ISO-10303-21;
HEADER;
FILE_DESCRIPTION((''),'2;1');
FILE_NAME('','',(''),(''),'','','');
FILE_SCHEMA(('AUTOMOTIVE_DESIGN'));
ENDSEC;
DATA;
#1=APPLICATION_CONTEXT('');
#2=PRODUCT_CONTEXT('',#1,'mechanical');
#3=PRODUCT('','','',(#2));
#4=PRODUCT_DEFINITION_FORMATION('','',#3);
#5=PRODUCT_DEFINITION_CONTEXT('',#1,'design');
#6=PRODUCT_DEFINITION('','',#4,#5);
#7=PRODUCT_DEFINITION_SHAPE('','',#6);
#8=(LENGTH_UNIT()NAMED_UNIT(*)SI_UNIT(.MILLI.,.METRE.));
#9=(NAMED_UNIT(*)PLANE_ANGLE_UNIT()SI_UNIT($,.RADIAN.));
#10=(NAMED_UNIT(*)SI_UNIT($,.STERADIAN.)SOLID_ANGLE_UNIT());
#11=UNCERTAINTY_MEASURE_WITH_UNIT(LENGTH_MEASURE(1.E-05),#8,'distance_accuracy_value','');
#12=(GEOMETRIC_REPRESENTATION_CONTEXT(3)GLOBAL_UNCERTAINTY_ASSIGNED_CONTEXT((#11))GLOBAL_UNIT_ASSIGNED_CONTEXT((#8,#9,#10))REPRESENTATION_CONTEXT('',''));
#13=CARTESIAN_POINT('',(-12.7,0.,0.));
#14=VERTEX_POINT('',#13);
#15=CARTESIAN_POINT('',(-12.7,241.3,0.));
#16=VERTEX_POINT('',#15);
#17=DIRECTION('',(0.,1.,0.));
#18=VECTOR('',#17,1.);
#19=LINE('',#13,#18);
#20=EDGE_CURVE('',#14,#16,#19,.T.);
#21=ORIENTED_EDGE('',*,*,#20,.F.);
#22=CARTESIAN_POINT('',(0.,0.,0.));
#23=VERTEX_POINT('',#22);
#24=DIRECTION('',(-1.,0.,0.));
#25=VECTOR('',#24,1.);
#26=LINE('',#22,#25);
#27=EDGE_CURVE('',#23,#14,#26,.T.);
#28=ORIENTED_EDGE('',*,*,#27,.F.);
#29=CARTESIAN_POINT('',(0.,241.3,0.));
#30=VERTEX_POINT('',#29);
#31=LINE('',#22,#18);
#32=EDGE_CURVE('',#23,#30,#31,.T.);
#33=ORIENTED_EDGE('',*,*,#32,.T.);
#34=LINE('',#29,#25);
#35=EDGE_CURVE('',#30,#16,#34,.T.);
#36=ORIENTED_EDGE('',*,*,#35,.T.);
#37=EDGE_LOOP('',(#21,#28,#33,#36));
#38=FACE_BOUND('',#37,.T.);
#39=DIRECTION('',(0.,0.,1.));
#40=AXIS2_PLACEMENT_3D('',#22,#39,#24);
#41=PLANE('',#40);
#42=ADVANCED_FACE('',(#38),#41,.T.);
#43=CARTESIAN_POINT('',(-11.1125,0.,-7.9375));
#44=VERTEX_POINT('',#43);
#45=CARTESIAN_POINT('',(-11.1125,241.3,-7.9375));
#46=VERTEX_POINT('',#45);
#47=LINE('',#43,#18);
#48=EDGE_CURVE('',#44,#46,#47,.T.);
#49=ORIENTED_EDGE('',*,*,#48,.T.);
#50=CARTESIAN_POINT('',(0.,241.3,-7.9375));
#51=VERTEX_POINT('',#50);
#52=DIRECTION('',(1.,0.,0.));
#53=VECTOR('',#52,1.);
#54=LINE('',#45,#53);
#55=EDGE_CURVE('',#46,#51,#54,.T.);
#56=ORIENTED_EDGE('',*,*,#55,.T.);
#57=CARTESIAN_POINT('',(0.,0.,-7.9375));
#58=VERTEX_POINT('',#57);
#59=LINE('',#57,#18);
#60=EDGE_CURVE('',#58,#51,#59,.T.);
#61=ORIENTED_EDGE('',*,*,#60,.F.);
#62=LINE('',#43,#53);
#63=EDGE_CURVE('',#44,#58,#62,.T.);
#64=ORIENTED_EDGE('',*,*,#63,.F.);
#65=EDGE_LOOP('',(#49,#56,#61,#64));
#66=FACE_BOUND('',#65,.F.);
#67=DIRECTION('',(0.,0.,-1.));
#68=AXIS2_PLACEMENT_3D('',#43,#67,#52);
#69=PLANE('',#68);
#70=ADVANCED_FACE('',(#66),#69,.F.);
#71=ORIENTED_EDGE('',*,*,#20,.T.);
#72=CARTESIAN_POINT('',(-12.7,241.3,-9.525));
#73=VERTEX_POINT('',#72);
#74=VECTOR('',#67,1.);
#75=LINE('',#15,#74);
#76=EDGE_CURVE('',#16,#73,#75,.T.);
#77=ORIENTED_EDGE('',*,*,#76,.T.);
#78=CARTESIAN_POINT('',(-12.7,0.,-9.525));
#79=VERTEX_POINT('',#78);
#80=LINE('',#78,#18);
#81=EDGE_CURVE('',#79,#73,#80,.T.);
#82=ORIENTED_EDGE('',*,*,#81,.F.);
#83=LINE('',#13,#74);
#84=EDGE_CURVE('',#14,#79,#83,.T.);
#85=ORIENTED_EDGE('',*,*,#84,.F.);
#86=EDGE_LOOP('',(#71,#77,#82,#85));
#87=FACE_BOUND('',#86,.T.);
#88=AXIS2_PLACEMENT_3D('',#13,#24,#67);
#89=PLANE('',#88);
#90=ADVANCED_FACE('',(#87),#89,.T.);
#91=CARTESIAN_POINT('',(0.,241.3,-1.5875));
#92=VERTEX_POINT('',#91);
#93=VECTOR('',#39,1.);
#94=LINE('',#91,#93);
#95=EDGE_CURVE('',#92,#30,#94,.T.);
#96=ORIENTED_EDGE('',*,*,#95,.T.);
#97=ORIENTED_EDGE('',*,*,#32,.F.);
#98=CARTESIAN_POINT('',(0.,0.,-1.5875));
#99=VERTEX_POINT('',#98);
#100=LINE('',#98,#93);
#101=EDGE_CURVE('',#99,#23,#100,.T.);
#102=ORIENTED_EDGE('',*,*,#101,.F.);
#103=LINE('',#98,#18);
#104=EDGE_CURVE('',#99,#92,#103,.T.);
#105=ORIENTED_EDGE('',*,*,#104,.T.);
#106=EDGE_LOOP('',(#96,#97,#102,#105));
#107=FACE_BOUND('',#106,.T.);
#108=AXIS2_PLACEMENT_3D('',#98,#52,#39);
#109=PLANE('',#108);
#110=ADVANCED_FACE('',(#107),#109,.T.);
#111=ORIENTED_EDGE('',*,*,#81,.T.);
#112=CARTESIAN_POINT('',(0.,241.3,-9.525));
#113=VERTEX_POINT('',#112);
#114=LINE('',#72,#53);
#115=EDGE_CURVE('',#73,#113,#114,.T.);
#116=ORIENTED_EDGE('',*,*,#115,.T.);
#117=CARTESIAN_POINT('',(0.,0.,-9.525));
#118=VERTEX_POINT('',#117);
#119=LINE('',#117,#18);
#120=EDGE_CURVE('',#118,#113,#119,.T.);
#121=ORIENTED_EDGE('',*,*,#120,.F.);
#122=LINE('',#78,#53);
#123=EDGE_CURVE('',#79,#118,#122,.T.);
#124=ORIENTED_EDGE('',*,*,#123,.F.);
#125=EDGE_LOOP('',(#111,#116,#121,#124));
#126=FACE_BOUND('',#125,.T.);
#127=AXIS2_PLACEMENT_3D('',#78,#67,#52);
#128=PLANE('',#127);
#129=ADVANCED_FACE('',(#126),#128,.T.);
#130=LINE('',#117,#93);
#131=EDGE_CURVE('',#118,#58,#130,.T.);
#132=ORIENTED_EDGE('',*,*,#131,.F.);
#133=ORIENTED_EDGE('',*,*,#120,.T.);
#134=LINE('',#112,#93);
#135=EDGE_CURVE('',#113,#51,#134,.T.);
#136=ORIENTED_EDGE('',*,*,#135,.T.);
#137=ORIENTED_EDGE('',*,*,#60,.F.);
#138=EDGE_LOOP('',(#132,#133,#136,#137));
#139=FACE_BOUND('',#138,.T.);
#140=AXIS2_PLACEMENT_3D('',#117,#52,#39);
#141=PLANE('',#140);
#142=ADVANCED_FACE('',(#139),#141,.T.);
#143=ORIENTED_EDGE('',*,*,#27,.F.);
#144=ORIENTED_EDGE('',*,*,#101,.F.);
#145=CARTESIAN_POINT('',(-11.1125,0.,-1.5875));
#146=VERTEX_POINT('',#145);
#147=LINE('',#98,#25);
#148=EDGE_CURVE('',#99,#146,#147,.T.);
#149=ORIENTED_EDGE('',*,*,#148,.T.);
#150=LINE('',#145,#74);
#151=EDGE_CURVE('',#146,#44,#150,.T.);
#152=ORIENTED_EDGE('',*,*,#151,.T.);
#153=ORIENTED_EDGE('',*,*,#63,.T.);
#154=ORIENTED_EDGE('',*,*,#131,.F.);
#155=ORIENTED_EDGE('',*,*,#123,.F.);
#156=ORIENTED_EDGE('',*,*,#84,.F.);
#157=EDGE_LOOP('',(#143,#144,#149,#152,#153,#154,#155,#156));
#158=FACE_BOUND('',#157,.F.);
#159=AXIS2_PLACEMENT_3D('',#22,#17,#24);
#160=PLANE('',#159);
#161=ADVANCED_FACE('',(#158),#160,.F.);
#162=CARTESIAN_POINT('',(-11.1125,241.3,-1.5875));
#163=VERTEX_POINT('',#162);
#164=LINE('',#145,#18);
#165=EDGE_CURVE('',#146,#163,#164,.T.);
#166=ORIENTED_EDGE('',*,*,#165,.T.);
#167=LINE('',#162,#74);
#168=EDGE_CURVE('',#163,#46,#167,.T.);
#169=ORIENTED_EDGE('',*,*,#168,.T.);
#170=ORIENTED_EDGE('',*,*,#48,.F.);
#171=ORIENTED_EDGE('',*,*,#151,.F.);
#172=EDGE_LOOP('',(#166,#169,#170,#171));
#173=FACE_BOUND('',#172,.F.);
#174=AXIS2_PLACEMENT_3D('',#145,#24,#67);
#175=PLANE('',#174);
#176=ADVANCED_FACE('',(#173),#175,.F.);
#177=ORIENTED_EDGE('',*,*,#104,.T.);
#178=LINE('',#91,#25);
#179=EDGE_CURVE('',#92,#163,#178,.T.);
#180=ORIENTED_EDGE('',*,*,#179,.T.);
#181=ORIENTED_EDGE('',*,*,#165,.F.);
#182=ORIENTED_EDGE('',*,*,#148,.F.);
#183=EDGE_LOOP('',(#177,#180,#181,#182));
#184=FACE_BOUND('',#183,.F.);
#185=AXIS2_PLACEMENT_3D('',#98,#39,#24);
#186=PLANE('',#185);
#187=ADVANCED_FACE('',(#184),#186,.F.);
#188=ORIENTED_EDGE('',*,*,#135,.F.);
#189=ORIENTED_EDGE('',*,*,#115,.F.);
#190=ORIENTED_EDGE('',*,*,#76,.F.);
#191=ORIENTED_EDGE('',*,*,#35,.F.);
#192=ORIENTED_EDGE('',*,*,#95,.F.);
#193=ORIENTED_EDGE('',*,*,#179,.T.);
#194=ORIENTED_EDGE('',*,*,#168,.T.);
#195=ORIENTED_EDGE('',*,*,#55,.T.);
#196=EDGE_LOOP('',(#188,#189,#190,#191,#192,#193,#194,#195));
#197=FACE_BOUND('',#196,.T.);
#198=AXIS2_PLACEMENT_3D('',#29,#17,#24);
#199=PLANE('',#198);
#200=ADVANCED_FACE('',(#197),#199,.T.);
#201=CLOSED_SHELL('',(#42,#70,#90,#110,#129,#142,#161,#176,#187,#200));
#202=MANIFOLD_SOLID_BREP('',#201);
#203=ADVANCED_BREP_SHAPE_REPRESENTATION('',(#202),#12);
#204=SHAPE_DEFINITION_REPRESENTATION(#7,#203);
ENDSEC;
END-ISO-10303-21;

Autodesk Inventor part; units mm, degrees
ref_plane "YZ Plane" through (0, 0, 0) normal (1, 0, 0) x (0, 1, 0)
ref_plane "XZ Plane" through (0, 0, 0) normal (0, 1, 0) x (-1, 0, 0)
ref_plane "XY Plane" through (0, 0, 0) normal (0, 0, 1) x (1, 0, 0)
sketch "Sketch1" plane through (0, 0, 0) normal (0, 1, 0) x (-1, 0, 0)
  line L0 (0, 0) -> (12.7, 0)
  line L1 (12.7, 0) -> (12.7, -9.525)
  line L2 (12.7, -9.525) -> (0, -9.525)
  line L3 (0, -1.5875) -> (11.1125, -1.5875)
  line L4 (11.1125, -1.5875) -> (11.1125, -7.9375)
  line L5 (11.1125, -7.9375) -> (0, -7.9375)
  line L6 (0, -9.525) -> (0, -7.9375)
  line L7 (0, -1.5875) -> (0, 0)
  dimension "d0" = 12.7
  dimension "d1" = 9.525
  dimension "d2" = 6.35
  dimension "d3" = 1.5875
  dimension "d4" = 1.5875
  dimension "d5" = 1.5875
extrude "Extrusion1" add sketch "Sketch1" along normal blind 241.3
properties part number "Small C Channel" material "Aluminum 6061"
